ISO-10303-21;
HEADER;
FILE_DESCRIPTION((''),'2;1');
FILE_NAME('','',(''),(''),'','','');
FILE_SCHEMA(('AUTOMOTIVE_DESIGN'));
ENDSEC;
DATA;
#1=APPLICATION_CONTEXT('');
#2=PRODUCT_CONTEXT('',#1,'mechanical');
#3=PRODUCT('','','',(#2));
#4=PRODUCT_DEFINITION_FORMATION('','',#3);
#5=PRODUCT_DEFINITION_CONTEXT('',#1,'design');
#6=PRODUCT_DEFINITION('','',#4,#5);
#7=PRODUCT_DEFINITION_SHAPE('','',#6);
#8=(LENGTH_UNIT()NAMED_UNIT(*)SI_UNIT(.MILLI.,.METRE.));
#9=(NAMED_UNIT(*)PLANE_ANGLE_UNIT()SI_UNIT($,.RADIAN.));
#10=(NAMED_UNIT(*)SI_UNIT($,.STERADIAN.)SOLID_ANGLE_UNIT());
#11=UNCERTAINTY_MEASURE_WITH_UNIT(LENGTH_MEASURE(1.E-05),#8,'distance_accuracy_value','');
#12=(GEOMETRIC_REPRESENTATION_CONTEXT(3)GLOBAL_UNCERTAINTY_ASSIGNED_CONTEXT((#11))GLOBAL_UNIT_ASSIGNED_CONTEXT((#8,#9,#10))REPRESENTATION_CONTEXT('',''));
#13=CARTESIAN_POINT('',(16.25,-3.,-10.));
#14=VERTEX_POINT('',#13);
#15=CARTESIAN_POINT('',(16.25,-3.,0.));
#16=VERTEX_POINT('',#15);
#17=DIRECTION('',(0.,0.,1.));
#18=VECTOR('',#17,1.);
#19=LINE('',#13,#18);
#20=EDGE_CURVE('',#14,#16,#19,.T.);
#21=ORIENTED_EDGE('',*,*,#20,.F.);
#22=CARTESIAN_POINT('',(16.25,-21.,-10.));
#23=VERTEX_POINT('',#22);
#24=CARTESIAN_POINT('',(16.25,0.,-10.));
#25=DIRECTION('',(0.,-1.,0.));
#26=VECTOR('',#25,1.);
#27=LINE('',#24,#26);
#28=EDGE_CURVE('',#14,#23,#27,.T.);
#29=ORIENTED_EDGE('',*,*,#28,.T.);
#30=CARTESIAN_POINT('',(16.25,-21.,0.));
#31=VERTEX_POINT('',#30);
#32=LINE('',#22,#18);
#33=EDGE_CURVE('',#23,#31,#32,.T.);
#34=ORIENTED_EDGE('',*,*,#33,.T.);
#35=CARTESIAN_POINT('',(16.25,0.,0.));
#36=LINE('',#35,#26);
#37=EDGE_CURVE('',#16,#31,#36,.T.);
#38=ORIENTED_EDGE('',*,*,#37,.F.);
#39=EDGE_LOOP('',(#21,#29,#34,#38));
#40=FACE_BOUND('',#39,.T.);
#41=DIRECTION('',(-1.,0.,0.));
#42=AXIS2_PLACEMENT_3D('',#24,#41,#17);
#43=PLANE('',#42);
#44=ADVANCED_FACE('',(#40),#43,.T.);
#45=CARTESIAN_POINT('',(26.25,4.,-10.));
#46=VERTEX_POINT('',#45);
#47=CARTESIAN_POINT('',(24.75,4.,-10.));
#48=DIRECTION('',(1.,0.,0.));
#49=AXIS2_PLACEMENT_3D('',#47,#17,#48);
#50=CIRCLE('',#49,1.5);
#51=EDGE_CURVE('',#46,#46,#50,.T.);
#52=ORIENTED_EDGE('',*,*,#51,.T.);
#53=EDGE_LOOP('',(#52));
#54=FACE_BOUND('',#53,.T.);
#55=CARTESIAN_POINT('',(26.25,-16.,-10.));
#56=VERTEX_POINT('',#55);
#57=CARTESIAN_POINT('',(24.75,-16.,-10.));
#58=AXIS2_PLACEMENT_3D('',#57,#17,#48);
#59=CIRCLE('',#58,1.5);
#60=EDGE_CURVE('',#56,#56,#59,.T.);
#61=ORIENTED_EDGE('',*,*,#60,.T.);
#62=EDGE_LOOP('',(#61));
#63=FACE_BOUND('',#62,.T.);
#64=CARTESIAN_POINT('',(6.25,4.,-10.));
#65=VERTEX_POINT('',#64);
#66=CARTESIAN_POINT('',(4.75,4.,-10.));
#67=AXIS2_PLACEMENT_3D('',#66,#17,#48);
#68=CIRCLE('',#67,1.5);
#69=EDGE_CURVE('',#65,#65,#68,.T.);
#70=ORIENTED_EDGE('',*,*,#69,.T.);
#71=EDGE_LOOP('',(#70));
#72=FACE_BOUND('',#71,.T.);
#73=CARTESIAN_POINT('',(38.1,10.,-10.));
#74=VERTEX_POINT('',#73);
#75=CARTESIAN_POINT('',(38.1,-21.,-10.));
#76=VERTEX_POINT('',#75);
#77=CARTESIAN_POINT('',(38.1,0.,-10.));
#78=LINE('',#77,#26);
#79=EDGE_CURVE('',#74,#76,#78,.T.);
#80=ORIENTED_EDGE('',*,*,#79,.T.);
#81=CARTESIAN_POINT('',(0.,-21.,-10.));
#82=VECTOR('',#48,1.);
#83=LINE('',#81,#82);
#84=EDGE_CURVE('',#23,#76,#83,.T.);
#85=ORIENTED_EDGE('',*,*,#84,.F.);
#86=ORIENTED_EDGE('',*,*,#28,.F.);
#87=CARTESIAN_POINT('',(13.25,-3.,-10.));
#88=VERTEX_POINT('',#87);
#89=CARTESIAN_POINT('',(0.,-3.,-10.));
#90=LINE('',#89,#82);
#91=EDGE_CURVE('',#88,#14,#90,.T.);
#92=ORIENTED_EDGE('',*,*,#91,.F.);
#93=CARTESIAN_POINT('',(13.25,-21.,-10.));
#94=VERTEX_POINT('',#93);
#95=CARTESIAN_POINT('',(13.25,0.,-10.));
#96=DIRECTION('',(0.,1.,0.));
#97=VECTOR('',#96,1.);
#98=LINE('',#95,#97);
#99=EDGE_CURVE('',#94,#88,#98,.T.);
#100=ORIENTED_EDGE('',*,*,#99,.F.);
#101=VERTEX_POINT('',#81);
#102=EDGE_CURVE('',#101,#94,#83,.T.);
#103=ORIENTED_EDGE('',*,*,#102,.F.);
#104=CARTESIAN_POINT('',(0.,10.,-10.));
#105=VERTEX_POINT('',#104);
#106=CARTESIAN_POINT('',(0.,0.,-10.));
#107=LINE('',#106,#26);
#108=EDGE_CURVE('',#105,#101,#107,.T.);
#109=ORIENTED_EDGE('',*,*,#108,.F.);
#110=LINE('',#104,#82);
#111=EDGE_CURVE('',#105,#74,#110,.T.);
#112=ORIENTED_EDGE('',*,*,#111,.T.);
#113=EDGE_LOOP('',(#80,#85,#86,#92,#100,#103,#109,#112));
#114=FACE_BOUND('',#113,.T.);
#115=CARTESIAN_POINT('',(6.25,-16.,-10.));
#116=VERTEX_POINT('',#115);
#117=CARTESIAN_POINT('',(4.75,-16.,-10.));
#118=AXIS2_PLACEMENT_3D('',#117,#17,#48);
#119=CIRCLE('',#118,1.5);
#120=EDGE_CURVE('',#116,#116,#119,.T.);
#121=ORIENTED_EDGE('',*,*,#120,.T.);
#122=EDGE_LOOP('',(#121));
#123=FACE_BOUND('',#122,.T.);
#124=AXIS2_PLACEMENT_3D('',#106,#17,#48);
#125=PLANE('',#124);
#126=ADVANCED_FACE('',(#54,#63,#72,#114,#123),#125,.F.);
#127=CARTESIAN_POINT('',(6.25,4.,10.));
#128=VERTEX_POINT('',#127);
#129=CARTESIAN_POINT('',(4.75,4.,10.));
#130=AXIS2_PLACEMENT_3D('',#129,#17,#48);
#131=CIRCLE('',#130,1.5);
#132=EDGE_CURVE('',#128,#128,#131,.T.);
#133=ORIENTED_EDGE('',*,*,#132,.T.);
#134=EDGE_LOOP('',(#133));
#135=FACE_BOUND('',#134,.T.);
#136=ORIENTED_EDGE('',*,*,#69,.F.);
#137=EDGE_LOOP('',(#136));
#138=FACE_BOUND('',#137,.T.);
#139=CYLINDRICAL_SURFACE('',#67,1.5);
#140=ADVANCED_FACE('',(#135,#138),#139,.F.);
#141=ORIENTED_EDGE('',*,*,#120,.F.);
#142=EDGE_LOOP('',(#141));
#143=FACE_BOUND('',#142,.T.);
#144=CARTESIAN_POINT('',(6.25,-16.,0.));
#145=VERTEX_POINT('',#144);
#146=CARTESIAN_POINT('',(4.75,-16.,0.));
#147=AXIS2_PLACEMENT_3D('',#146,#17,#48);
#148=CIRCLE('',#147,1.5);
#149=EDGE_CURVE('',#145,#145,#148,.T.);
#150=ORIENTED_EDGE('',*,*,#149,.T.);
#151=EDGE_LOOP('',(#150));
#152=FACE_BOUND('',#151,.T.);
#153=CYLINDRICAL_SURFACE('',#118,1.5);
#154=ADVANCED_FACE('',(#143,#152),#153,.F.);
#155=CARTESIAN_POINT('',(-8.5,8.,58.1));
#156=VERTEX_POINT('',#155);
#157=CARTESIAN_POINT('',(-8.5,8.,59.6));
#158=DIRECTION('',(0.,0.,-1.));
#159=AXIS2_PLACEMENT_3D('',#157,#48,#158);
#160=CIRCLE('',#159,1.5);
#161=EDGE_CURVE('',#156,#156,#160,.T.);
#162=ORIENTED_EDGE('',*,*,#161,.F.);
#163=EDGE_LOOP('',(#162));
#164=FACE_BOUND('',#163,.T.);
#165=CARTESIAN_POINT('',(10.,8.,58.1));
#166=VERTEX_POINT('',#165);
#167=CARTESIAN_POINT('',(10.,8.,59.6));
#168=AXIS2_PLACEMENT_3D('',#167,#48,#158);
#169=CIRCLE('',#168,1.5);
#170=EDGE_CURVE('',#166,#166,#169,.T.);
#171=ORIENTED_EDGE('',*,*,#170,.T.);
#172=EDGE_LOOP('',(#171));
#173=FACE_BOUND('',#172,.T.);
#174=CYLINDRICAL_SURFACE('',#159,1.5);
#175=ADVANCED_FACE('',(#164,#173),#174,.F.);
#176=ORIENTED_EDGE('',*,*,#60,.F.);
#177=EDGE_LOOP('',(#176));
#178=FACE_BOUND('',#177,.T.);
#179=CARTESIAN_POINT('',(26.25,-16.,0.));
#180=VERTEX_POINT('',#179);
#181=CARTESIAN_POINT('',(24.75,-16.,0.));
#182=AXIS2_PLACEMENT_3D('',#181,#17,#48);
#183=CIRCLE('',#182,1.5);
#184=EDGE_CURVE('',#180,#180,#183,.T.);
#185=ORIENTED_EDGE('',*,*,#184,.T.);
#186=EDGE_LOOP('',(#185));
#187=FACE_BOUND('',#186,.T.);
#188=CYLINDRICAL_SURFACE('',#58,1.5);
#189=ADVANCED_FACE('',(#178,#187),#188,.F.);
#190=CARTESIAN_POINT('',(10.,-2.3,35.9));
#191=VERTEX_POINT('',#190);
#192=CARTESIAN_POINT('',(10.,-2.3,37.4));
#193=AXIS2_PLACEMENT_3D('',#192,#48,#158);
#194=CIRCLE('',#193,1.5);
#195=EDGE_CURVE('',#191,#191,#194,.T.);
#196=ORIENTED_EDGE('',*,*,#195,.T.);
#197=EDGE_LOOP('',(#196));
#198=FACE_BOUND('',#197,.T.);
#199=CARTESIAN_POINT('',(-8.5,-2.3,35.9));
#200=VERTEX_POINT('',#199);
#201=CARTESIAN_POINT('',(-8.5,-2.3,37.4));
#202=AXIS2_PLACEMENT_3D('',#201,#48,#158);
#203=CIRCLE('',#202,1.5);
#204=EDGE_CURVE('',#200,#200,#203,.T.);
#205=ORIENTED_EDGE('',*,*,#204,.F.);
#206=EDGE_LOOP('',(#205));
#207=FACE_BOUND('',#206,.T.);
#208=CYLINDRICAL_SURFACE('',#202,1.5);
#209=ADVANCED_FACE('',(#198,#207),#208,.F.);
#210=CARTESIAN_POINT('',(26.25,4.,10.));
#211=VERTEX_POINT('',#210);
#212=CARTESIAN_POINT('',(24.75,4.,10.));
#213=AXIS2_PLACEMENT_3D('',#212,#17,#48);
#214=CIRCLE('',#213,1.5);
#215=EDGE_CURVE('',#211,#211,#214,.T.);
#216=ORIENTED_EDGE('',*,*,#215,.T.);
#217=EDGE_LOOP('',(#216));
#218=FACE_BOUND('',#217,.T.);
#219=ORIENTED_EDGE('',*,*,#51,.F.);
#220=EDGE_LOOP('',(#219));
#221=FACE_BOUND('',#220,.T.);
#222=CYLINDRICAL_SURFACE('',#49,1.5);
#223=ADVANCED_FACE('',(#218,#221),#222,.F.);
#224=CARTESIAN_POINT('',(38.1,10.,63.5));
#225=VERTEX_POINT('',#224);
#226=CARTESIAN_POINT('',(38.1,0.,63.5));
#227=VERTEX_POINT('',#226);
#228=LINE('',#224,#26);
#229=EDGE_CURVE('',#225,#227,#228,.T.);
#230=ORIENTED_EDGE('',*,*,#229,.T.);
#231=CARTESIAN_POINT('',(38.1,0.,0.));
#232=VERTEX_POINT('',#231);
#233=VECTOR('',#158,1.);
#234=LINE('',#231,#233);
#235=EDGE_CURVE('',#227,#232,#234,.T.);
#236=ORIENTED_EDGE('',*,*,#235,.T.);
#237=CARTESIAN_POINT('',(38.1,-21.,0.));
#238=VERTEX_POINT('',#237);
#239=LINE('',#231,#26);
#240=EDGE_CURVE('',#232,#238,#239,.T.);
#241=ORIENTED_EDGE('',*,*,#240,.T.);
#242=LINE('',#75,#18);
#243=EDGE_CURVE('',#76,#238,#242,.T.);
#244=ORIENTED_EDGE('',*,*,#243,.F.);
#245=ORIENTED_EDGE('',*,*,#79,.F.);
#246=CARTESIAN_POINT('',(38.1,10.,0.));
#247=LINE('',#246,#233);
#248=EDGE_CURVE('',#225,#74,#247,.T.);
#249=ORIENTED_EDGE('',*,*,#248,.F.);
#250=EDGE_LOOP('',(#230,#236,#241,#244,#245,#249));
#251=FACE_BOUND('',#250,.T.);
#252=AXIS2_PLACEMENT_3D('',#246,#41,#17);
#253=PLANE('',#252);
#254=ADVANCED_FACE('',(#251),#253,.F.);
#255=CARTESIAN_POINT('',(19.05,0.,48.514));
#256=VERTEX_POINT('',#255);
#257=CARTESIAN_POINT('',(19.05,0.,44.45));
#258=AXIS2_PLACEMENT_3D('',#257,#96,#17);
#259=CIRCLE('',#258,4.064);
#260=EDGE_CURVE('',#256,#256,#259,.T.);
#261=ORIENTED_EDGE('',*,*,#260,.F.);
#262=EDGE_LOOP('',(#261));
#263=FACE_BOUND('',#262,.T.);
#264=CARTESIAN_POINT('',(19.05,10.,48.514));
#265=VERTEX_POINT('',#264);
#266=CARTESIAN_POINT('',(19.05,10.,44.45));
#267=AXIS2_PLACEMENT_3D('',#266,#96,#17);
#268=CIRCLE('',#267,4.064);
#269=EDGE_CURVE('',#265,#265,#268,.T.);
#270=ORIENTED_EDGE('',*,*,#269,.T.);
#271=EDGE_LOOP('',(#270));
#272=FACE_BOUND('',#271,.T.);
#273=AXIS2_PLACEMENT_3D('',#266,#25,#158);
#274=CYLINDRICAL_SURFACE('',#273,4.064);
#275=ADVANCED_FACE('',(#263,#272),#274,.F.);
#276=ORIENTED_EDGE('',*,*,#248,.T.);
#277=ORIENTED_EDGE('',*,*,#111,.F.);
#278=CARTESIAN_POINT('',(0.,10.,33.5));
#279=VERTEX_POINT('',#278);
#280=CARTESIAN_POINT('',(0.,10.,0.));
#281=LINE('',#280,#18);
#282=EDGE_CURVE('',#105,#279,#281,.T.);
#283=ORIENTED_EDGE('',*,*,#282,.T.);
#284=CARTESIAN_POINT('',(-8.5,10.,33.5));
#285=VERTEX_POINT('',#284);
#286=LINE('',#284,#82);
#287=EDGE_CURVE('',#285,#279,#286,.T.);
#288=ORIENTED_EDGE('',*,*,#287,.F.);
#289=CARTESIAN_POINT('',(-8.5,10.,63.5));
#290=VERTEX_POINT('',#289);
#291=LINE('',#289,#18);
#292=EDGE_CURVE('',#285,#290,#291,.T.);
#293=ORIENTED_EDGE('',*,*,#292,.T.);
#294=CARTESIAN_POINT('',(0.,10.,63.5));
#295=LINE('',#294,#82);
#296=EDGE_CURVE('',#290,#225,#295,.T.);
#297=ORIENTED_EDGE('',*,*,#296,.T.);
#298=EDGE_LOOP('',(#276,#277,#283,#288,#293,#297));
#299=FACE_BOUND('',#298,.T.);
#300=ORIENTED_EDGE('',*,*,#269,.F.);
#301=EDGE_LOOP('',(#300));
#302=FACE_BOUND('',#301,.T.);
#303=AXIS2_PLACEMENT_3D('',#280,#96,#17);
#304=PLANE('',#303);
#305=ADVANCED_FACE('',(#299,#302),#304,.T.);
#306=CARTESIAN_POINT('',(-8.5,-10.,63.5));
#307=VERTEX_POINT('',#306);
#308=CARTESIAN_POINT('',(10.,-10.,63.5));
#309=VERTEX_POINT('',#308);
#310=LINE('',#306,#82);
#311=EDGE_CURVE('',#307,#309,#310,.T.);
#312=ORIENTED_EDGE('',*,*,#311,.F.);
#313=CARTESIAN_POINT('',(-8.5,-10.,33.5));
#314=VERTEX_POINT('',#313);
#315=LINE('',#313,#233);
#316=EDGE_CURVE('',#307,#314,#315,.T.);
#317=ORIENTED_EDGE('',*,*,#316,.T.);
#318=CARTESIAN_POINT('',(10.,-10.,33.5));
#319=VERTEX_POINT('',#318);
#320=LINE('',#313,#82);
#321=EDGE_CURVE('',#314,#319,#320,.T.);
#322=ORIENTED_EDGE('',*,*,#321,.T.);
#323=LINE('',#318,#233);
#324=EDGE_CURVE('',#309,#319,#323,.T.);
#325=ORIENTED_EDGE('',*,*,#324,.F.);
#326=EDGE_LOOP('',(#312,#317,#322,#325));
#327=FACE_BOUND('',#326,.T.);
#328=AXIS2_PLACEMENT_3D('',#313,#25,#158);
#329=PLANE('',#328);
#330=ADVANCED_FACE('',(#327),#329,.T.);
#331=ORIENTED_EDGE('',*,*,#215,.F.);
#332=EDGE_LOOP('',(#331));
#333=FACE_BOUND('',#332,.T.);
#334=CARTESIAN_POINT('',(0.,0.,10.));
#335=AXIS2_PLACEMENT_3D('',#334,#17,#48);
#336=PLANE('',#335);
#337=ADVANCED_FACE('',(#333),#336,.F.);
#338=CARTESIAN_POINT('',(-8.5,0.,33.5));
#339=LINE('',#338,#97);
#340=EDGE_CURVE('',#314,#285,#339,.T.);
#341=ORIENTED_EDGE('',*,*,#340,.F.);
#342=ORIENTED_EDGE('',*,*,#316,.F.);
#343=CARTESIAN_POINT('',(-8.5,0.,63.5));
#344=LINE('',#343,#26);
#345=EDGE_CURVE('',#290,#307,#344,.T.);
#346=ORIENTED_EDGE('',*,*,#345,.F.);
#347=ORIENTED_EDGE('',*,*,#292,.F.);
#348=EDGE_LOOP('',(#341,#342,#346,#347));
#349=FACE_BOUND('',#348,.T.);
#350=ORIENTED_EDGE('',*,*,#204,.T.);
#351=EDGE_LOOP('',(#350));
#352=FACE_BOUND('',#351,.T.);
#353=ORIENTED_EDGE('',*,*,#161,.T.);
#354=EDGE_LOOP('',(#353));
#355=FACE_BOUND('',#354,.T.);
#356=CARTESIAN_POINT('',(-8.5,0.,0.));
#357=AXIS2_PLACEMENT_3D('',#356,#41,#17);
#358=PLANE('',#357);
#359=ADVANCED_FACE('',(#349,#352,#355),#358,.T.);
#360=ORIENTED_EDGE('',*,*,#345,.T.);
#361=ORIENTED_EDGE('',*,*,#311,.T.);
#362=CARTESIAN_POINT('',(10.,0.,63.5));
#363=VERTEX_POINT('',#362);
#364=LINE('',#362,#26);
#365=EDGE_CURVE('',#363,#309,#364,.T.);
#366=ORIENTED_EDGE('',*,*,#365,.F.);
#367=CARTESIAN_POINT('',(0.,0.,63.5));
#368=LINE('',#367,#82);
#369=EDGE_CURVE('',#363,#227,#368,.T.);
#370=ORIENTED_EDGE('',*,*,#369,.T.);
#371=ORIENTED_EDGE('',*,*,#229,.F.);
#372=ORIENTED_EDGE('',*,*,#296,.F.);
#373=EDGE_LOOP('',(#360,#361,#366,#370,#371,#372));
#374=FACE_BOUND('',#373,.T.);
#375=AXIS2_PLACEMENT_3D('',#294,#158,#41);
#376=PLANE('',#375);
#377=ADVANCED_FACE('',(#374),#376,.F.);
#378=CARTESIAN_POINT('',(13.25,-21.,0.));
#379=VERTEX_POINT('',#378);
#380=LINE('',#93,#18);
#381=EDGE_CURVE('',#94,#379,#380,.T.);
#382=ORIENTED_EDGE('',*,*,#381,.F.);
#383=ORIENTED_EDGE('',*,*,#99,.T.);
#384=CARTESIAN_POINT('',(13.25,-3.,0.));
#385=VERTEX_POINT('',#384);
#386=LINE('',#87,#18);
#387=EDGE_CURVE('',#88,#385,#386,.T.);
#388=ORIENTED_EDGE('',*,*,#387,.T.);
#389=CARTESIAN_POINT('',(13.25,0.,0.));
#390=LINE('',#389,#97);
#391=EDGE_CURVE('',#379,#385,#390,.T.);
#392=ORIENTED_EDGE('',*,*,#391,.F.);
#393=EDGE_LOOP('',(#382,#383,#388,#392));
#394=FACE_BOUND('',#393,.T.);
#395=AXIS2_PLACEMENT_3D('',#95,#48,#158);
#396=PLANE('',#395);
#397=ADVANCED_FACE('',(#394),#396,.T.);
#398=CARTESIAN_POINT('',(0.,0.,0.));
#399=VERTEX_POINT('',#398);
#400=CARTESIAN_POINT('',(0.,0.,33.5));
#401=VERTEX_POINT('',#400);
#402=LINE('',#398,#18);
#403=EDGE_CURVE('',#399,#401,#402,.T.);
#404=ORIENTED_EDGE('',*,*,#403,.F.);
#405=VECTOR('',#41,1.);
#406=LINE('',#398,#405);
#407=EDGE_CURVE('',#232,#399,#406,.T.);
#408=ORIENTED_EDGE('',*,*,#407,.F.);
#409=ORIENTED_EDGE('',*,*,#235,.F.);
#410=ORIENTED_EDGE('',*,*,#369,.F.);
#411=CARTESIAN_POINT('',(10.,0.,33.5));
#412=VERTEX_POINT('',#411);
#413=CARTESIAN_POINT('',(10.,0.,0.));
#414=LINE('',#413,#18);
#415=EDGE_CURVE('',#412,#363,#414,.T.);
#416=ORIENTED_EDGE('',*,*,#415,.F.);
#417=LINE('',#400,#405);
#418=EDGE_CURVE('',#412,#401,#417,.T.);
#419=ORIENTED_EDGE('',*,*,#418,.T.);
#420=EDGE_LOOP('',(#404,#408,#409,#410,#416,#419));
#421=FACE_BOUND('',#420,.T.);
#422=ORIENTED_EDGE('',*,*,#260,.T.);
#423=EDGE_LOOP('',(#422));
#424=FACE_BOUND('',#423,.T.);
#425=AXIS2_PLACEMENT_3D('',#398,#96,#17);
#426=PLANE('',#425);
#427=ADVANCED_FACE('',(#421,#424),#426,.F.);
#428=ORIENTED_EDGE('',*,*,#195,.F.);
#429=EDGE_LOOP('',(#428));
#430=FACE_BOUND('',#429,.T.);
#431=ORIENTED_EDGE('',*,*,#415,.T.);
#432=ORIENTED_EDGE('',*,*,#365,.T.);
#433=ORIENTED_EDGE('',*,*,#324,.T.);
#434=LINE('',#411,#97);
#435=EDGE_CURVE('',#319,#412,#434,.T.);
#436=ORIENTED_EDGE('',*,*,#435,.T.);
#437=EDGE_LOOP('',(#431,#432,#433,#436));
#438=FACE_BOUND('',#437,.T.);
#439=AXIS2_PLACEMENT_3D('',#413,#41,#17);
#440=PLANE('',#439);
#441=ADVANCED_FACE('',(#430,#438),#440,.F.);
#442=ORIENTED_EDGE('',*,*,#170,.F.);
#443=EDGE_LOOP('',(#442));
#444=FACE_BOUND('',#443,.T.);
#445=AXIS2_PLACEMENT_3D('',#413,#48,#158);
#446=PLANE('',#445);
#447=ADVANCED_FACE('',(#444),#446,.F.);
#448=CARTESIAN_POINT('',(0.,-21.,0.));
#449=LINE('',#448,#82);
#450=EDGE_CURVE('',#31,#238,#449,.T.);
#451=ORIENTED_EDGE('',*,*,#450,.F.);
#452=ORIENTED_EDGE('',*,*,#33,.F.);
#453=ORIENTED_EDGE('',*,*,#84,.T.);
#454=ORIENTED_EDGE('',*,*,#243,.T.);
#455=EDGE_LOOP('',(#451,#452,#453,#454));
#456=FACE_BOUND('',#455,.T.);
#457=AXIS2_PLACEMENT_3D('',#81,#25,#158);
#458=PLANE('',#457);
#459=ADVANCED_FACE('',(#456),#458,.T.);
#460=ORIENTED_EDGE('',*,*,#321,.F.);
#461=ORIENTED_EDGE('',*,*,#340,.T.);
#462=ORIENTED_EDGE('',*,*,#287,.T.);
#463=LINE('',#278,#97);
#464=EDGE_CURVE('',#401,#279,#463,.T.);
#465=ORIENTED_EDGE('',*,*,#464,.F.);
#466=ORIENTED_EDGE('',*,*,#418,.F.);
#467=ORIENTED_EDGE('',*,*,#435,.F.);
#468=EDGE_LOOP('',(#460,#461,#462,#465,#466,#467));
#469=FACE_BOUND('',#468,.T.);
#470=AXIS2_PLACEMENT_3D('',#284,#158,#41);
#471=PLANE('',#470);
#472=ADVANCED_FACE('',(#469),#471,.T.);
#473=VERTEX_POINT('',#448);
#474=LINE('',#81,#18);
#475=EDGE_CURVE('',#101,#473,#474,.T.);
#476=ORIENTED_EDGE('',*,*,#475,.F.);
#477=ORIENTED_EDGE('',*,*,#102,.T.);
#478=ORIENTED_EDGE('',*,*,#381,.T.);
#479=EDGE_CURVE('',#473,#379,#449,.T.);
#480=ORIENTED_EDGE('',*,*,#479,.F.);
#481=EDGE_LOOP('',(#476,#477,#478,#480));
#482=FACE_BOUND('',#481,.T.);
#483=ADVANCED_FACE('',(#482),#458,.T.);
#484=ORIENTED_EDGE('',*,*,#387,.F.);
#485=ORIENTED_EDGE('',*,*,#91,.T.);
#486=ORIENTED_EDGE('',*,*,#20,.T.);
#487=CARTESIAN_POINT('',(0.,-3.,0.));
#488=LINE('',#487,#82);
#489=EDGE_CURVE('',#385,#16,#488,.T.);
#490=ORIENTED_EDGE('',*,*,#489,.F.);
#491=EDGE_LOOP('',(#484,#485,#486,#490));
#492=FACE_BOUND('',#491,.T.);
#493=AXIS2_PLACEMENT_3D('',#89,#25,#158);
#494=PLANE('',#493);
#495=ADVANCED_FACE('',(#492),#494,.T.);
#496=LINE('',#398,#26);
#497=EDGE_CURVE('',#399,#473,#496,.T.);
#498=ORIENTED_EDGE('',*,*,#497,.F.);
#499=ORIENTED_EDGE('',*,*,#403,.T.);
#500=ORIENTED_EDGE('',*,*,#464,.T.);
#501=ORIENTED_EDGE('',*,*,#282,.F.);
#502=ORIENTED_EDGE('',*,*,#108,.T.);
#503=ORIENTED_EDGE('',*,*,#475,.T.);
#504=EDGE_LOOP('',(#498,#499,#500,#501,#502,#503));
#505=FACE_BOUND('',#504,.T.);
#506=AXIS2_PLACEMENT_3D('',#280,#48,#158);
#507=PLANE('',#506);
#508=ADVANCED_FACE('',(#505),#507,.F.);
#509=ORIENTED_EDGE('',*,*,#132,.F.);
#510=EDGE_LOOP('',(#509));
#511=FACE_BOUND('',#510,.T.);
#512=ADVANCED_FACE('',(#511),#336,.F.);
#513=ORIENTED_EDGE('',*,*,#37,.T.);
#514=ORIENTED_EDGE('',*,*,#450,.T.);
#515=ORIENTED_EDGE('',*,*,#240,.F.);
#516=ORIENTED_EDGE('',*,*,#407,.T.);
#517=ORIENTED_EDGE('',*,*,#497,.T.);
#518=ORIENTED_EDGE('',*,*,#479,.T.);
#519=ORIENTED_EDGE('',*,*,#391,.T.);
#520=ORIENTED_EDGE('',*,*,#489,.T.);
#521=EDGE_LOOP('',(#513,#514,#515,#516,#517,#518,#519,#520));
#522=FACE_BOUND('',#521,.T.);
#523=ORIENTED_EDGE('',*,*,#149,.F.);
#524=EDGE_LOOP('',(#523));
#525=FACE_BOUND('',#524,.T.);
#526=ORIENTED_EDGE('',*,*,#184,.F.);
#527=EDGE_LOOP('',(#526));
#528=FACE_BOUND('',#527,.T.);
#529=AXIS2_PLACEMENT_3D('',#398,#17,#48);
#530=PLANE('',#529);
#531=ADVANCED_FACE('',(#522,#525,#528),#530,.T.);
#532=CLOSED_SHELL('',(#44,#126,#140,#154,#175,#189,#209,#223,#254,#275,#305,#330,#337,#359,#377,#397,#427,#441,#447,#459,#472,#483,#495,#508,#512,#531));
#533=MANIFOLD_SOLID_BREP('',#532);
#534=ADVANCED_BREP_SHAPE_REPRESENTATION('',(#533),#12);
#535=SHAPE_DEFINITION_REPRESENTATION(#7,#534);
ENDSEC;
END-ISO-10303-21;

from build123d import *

# Parameters (mm, degrees)
SKETCH1_W                = 38.1
SKETCH1_H                = 63.5
SKETCH1_R                = 4.064
BOSS_EXTRUDE1_DEPTH      = 10
BOSS_EXTRUDE2_DEPTH      = 10
BOSS_EXTRUDE2_DEPTH_BACK = 8.5
SKETCH2_R                = 1.5
SKETCH3_R                = 1.5
BOSS_EXTRUDE3_DEPTH      = 10
SKETCH2_2_R              = 1.5
CUT_EXTRUDE1_DEPTH       = 10
CUT_EXTRUDE2_START       = 10
SKETCH3_2_R              = 1.5
CUT_EXTRUDE2_DEPTH       = 10


with BuildPart() as part:
    # Sketch1 → Boss-Extrude1 (new body)
    with BuildSketch(Plane(origin=(0, 0, 0), x_dir=(1, 0, 0), z_dir=(0, 1, 0))):
        with Locations((19.05, -31.75)):
            Rectangle(SKETCH1_W, SKETCH1_H)
        with Locations((19.05, -44.45)):
            Circle(SKETCH1_R, mode=Mode.SUBTRACT)
    extrude(amount=BOSS_EXTRUDE1_DEPTH)

    # Sketch2 → Boss-Extrude2 (add, two sides: drawn at the far end of the back side and taken through both)
    with BuildSketch(Plane(origin=(0, 0, 0), x_dir=(0, 0, -1), z_dir=(1, 0, 0)).offset(-BOSS_EXTRUDE2_DEPTH_BACK)):
        Polygon((-33.5, 0), (-33.5, -10), (-63.5, -10), (-63.5, 0), (-63.5, 10), (-33.5, 10), align=None)
        with Locations((-59.6, 8)):
            Circle(SKETCH2_R, mode=Mode.SUBTRACT)
        with Locations((-37.4, -2.3)):
            Circle(SKETCH2_R, mode=Mode.SUBTRACT)
    extrude(amount=BOSS_EXTRUDE2_DEPTH + BOSS_EXTRUDE2_DEPTH_BACK)

    # Sketch3 → Boss-Extrude3 (add)
    with BuildSketch(Plane.XY):
        Polygon((13.25, -21), (13.25, -3), (16.25, -3), (16.25, -21), (38.1, -21), (38.1, 10), (0, 10), (0, -21), align=None)
        with Locations((4.75, -16)):
            Circle(SKETCH3_R, mode=Mode.SUBTRACT)
        with Locations((24.75, -16)):
            Circle(SKETCH3_R, mode=Mode.SUBTRACT)
        with Locations((4.75, 4)):
            Circle(SKETCH3_R, mode=Mode.SUBTRACT)
        with Locations((24.75, 4)):
            Circle(SKETCH3_R, mode=Mode.SUBTRACT)
    extrude(amount=-BOSS_EXTRUDE3_DEPTH)

    # Sketch2<2> → Cut-Extrude1 (cut)
    with BuildSketch(Plane(origin=(0, 0, 0), x_dir=(0, 0, -1), z_dir=(1, 0, 0))):
        with Locations((-59.6, 8)):
            Circle(SKETCH2_2_R)
    extrude(amount=CUT_EXTRUDE1_DEPTH, mode=Mode.SUBTRACT)

    # Sketch3<2> → Cut-Extrude2 (cut)
    with BuildSketch(Plane.XY.offset(CUT_EXTRUDE2_START)):
        with Locations((4.75, 4)):
            Circle(SKETCH3_2_R)
        with Locations((24.75, 4)):
            Circle(SKETCH3_2_R)
    extrude(amount=-CUT_EXTRUDE2_DEPTH, mode=Mode.SUBTRACT)


solid = part.part
